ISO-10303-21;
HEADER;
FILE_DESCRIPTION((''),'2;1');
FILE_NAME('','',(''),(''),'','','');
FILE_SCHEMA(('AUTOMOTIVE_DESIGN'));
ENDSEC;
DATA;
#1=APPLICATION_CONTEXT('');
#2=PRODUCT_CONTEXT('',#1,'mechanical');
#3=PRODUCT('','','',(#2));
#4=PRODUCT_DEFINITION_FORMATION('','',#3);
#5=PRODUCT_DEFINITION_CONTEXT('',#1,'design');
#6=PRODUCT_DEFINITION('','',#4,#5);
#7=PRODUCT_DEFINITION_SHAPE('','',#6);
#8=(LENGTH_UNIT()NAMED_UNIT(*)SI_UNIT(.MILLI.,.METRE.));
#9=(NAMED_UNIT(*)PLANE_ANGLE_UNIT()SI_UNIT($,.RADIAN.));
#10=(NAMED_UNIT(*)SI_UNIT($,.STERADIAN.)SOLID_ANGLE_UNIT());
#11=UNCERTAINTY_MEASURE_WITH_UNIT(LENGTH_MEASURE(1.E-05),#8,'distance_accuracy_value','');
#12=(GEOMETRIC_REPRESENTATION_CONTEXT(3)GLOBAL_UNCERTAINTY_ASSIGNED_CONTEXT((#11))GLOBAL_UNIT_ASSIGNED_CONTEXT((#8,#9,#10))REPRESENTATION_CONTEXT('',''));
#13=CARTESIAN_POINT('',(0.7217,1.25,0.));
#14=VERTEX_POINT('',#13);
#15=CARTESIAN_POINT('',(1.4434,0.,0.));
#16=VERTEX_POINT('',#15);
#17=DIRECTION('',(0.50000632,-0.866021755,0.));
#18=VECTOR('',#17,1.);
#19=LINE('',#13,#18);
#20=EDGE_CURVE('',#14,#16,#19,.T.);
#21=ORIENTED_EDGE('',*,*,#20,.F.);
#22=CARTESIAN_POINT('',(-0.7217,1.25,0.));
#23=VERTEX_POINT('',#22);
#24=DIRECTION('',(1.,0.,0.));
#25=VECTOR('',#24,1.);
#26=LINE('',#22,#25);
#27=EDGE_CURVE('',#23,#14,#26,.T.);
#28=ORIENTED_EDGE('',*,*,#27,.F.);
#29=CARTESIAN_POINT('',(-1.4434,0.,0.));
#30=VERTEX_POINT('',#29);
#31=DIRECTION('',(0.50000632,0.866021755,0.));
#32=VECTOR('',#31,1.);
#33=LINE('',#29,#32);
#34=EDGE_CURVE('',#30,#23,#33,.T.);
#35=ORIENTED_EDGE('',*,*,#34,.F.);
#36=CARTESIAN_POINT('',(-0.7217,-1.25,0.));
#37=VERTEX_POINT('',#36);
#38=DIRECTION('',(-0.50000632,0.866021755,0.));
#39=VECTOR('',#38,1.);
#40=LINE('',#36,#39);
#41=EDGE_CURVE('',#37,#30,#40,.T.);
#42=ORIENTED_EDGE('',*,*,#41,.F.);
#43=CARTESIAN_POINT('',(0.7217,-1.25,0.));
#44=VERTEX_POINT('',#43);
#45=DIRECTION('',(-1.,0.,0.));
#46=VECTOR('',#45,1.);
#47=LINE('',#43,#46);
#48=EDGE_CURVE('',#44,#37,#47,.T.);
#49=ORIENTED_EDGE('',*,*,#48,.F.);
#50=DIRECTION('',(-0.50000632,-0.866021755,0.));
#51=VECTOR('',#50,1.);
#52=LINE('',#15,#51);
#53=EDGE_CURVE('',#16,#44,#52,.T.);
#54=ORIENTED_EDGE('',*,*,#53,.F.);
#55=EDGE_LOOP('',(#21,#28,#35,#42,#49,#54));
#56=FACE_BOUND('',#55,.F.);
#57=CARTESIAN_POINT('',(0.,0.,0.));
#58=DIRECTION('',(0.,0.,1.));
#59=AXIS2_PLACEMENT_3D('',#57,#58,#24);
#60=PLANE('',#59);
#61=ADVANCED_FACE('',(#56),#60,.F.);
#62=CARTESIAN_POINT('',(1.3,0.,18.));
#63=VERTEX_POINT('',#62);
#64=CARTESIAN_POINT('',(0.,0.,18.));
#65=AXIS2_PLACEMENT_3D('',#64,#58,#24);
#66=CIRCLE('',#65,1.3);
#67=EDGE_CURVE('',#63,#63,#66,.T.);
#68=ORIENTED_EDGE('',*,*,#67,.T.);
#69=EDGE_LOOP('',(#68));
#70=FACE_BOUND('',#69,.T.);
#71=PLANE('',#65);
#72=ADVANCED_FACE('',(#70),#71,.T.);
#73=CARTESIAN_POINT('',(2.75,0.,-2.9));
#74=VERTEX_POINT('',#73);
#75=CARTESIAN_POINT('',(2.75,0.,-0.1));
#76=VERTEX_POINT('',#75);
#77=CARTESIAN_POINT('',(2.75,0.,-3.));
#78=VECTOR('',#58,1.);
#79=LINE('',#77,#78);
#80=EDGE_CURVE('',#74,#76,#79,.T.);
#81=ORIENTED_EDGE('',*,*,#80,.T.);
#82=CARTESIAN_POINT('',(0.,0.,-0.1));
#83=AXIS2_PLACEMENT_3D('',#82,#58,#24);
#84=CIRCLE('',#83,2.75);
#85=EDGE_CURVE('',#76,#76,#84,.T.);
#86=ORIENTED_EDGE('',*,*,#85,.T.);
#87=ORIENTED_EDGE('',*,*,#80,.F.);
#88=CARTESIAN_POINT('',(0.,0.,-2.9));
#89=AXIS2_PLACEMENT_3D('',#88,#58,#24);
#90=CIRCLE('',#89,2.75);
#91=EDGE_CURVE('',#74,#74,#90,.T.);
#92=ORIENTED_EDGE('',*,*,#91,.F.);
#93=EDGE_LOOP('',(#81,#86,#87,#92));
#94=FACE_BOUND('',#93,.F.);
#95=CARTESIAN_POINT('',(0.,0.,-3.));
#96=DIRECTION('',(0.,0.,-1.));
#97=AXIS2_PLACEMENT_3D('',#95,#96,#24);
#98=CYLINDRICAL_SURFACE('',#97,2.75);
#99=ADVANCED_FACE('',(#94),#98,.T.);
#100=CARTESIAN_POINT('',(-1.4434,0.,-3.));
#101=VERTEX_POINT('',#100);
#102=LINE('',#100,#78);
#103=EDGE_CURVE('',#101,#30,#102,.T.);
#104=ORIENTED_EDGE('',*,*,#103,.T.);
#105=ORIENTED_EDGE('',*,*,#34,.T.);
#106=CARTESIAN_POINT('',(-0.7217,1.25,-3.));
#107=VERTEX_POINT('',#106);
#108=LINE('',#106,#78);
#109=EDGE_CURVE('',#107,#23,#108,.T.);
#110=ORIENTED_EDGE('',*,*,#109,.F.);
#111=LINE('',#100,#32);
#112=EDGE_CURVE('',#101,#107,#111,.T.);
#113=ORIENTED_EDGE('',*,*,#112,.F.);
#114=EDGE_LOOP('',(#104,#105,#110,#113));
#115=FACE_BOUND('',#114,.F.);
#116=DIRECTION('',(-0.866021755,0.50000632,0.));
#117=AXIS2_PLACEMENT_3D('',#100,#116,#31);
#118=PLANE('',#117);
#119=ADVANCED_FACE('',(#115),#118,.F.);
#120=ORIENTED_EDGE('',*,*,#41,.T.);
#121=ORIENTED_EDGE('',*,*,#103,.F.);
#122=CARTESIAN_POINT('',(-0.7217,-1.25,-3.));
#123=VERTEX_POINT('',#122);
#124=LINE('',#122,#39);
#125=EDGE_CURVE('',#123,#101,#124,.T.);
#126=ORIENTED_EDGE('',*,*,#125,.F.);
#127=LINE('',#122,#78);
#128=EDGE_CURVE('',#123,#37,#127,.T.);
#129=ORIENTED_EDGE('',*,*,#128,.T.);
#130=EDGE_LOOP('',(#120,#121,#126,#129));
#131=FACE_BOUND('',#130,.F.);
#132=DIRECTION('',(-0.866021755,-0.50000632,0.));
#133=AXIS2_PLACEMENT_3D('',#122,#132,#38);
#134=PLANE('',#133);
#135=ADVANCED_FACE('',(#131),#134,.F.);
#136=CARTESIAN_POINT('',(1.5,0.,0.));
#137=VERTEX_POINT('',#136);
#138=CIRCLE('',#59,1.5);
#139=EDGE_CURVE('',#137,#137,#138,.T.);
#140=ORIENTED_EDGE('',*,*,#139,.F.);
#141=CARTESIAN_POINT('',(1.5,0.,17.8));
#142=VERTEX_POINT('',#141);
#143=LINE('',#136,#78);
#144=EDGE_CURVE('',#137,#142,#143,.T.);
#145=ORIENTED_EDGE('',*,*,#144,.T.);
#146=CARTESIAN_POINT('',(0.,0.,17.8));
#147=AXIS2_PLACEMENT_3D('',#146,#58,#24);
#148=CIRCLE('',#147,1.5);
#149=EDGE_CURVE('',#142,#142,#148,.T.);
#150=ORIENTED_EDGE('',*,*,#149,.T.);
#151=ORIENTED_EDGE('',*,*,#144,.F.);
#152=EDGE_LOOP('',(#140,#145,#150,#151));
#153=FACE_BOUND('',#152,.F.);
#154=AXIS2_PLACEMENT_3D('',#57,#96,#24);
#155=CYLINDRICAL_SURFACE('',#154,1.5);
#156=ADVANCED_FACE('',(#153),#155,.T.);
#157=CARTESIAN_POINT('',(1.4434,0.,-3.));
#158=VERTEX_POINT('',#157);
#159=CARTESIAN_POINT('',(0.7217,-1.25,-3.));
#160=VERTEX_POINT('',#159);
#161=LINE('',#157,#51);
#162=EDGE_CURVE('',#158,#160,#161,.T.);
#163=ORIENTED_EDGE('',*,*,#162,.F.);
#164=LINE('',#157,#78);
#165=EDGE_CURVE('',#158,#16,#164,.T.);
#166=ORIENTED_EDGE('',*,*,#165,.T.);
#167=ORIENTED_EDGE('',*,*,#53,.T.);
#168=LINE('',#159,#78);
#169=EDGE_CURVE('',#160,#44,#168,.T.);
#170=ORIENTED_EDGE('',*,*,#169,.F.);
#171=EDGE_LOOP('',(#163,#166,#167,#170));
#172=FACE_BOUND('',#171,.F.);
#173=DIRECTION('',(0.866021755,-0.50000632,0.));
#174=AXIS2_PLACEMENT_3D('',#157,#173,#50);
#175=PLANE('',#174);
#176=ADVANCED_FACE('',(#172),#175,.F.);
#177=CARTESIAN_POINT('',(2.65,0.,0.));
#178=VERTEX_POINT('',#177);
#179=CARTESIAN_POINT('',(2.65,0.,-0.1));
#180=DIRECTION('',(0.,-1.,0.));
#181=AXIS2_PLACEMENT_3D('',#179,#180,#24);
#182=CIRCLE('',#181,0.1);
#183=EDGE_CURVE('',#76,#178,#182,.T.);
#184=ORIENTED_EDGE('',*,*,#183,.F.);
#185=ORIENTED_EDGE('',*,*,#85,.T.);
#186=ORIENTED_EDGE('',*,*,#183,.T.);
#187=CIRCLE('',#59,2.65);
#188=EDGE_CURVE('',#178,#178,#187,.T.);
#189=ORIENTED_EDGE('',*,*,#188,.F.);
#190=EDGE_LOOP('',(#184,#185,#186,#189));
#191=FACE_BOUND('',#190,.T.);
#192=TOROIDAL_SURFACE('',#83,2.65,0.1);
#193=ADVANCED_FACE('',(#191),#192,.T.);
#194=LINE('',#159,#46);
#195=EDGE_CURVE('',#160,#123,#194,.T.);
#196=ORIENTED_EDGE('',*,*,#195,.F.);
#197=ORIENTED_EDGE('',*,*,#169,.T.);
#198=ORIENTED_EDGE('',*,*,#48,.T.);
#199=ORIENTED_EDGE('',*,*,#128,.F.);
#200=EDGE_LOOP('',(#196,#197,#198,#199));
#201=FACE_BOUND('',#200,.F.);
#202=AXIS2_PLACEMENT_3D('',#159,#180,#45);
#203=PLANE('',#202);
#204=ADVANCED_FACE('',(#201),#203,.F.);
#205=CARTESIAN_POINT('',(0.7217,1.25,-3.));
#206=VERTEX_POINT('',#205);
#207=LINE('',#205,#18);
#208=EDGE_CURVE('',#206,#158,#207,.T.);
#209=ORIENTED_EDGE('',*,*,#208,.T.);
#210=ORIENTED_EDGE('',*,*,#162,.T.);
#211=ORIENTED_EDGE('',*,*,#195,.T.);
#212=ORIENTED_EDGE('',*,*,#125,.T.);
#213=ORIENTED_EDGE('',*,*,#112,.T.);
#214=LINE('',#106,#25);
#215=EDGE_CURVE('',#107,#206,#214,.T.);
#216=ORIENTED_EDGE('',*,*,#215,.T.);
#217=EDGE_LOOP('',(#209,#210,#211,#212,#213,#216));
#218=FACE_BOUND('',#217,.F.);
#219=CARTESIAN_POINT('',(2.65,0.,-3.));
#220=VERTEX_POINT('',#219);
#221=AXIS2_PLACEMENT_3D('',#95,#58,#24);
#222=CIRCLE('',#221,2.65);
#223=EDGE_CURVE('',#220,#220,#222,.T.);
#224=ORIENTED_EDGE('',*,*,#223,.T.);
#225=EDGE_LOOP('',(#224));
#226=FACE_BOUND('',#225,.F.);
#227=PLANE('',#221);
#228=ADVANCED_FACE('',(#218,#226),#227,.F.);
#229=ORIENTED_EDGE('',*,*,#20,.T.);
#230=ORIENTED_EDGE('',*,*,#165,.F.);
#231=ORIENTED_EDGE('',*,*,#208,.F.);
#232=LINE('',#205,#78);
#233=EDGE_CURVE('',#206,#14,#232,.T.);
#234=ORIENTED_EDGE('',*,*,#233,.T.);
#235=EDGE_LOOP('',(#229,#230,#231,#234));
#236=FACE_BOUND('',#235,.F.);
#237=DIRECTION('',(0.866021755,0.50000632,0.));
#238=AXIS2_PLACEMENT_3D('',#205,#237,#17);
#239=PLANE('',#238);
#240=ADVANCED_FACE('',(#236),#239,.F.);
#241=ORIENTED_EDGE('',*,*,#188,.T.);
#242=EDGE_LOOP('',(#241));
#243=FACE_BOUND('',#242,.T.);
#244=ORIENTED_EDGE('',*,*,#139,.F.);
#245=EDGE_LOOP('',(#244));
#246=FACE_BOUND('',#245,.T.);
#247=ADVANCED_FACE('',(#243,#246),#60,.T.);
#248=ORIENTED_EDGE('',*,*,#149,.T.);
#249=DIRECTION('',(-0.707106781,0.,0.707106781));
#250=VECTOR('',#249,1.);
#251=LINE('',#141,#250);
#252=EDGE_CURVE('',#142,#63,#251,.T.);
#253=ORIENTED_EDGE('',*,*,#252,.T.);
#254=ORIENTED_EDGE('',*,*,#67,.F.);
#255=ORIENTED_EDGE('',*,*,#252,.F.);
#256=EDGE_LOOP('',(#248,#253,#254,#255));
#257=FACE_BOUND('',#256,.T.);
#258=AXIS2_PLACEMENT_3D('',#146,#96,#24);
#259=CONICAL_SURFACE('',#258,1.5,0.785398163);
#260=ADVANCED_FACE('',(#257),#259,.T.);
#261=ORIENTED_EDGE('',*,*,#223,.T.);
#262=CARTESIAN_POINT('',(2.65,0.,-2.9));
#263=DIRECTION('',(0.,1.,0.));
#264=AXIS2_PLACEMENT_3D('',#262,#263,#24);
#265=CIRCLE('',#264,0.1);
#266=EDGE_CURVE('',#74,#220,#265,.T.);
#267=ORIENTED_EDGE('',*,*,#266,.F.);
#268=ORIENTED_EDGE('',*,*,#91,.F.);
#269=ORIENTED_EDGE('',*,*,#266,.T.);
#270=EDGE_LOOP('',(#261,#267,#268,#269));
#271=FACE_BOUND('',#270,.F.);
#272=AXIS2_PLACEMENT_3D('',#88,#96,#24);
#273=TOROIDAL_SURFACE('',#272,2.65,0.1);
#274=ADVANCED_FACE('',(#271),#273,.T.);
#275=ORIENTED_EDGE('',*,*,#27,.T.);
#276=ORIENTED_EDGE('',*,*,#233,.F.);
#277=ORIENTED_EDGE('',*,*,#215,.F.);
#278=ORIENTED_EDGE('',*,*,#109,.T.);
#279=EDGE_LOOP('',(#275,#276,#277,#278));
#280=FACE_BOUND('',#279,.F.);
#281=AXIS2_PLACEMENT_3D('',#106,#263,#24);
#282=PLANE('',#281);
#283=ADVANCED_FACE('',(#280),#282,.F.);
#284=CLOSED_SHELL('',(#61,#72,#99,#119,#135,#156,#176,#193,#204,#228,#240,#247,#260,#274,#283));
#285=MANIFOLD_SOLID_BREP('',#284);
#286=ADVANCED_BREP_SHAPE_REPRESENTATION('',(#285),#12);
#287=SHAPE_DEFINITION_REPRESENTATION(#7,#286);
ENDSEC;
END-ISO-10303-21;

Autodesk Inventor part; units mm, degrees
ref_plane "YZ Plane" through (0, 0, 0) normal (1, 0, 0) x (0, 1, 0)
ref_plane "XZ Plane" through (0, 0, 0) normal (0, 1, 0) x (-1, 0, 0)
ref_plane "Work Plane1" through (0, 0, -3) normal (0, 0, 1) x (1, 0, 0)
sketch "Sketch1" plane through (0, 0, -3) normal (0, 0, 1) x (1, 0, 0)
  circle A0 centre (0, 0) radius 2.75
extrude "Extrusion3" add sketch "Sketch1" along normal blind 3
fillet "Fillet1" radius 0.1 2 edges at (-2.75, 0, -3) (-2.75, 0, 0)
sketch "Sketch2" plane through (0, 0, -3) normal (0, 0, 1) x (1, 0, 0)
  line L0 (-0.7217, 1.25) -> (0.7217, 1.25)
  line L1 (0.7217, -1.25) -> (-0.7217, -1.25)
  line L2 (-0.7217, -1.25) -> (-1.4434, 0)
  line L3 (0.7217, 1.25) -> (1.4434, 0)
  line L4 (-1.4434, 0) -> (-0.7217, 1.25)
  line L5 (1.4434, 0) -> (0.7217, -1.25)
extrude "Extrusion2" cut sketch "Sketch2" along normal blind 3
sketch "Sketch3" plane through (0, 0, 0) normal (0, 0, 1) x (1, 0, 0)
  circle A0 centre (0, 0) radius 1.5
extrude "Extrusion1" add sketch "Sketch3" along normal blind 18
chamfer "Chamfer1" distance 0.2 angle 45 1 edges at (-1.5, 0, 18)
properties part number "DIN 912 M3 8 mm" material "Stainless Steel"
